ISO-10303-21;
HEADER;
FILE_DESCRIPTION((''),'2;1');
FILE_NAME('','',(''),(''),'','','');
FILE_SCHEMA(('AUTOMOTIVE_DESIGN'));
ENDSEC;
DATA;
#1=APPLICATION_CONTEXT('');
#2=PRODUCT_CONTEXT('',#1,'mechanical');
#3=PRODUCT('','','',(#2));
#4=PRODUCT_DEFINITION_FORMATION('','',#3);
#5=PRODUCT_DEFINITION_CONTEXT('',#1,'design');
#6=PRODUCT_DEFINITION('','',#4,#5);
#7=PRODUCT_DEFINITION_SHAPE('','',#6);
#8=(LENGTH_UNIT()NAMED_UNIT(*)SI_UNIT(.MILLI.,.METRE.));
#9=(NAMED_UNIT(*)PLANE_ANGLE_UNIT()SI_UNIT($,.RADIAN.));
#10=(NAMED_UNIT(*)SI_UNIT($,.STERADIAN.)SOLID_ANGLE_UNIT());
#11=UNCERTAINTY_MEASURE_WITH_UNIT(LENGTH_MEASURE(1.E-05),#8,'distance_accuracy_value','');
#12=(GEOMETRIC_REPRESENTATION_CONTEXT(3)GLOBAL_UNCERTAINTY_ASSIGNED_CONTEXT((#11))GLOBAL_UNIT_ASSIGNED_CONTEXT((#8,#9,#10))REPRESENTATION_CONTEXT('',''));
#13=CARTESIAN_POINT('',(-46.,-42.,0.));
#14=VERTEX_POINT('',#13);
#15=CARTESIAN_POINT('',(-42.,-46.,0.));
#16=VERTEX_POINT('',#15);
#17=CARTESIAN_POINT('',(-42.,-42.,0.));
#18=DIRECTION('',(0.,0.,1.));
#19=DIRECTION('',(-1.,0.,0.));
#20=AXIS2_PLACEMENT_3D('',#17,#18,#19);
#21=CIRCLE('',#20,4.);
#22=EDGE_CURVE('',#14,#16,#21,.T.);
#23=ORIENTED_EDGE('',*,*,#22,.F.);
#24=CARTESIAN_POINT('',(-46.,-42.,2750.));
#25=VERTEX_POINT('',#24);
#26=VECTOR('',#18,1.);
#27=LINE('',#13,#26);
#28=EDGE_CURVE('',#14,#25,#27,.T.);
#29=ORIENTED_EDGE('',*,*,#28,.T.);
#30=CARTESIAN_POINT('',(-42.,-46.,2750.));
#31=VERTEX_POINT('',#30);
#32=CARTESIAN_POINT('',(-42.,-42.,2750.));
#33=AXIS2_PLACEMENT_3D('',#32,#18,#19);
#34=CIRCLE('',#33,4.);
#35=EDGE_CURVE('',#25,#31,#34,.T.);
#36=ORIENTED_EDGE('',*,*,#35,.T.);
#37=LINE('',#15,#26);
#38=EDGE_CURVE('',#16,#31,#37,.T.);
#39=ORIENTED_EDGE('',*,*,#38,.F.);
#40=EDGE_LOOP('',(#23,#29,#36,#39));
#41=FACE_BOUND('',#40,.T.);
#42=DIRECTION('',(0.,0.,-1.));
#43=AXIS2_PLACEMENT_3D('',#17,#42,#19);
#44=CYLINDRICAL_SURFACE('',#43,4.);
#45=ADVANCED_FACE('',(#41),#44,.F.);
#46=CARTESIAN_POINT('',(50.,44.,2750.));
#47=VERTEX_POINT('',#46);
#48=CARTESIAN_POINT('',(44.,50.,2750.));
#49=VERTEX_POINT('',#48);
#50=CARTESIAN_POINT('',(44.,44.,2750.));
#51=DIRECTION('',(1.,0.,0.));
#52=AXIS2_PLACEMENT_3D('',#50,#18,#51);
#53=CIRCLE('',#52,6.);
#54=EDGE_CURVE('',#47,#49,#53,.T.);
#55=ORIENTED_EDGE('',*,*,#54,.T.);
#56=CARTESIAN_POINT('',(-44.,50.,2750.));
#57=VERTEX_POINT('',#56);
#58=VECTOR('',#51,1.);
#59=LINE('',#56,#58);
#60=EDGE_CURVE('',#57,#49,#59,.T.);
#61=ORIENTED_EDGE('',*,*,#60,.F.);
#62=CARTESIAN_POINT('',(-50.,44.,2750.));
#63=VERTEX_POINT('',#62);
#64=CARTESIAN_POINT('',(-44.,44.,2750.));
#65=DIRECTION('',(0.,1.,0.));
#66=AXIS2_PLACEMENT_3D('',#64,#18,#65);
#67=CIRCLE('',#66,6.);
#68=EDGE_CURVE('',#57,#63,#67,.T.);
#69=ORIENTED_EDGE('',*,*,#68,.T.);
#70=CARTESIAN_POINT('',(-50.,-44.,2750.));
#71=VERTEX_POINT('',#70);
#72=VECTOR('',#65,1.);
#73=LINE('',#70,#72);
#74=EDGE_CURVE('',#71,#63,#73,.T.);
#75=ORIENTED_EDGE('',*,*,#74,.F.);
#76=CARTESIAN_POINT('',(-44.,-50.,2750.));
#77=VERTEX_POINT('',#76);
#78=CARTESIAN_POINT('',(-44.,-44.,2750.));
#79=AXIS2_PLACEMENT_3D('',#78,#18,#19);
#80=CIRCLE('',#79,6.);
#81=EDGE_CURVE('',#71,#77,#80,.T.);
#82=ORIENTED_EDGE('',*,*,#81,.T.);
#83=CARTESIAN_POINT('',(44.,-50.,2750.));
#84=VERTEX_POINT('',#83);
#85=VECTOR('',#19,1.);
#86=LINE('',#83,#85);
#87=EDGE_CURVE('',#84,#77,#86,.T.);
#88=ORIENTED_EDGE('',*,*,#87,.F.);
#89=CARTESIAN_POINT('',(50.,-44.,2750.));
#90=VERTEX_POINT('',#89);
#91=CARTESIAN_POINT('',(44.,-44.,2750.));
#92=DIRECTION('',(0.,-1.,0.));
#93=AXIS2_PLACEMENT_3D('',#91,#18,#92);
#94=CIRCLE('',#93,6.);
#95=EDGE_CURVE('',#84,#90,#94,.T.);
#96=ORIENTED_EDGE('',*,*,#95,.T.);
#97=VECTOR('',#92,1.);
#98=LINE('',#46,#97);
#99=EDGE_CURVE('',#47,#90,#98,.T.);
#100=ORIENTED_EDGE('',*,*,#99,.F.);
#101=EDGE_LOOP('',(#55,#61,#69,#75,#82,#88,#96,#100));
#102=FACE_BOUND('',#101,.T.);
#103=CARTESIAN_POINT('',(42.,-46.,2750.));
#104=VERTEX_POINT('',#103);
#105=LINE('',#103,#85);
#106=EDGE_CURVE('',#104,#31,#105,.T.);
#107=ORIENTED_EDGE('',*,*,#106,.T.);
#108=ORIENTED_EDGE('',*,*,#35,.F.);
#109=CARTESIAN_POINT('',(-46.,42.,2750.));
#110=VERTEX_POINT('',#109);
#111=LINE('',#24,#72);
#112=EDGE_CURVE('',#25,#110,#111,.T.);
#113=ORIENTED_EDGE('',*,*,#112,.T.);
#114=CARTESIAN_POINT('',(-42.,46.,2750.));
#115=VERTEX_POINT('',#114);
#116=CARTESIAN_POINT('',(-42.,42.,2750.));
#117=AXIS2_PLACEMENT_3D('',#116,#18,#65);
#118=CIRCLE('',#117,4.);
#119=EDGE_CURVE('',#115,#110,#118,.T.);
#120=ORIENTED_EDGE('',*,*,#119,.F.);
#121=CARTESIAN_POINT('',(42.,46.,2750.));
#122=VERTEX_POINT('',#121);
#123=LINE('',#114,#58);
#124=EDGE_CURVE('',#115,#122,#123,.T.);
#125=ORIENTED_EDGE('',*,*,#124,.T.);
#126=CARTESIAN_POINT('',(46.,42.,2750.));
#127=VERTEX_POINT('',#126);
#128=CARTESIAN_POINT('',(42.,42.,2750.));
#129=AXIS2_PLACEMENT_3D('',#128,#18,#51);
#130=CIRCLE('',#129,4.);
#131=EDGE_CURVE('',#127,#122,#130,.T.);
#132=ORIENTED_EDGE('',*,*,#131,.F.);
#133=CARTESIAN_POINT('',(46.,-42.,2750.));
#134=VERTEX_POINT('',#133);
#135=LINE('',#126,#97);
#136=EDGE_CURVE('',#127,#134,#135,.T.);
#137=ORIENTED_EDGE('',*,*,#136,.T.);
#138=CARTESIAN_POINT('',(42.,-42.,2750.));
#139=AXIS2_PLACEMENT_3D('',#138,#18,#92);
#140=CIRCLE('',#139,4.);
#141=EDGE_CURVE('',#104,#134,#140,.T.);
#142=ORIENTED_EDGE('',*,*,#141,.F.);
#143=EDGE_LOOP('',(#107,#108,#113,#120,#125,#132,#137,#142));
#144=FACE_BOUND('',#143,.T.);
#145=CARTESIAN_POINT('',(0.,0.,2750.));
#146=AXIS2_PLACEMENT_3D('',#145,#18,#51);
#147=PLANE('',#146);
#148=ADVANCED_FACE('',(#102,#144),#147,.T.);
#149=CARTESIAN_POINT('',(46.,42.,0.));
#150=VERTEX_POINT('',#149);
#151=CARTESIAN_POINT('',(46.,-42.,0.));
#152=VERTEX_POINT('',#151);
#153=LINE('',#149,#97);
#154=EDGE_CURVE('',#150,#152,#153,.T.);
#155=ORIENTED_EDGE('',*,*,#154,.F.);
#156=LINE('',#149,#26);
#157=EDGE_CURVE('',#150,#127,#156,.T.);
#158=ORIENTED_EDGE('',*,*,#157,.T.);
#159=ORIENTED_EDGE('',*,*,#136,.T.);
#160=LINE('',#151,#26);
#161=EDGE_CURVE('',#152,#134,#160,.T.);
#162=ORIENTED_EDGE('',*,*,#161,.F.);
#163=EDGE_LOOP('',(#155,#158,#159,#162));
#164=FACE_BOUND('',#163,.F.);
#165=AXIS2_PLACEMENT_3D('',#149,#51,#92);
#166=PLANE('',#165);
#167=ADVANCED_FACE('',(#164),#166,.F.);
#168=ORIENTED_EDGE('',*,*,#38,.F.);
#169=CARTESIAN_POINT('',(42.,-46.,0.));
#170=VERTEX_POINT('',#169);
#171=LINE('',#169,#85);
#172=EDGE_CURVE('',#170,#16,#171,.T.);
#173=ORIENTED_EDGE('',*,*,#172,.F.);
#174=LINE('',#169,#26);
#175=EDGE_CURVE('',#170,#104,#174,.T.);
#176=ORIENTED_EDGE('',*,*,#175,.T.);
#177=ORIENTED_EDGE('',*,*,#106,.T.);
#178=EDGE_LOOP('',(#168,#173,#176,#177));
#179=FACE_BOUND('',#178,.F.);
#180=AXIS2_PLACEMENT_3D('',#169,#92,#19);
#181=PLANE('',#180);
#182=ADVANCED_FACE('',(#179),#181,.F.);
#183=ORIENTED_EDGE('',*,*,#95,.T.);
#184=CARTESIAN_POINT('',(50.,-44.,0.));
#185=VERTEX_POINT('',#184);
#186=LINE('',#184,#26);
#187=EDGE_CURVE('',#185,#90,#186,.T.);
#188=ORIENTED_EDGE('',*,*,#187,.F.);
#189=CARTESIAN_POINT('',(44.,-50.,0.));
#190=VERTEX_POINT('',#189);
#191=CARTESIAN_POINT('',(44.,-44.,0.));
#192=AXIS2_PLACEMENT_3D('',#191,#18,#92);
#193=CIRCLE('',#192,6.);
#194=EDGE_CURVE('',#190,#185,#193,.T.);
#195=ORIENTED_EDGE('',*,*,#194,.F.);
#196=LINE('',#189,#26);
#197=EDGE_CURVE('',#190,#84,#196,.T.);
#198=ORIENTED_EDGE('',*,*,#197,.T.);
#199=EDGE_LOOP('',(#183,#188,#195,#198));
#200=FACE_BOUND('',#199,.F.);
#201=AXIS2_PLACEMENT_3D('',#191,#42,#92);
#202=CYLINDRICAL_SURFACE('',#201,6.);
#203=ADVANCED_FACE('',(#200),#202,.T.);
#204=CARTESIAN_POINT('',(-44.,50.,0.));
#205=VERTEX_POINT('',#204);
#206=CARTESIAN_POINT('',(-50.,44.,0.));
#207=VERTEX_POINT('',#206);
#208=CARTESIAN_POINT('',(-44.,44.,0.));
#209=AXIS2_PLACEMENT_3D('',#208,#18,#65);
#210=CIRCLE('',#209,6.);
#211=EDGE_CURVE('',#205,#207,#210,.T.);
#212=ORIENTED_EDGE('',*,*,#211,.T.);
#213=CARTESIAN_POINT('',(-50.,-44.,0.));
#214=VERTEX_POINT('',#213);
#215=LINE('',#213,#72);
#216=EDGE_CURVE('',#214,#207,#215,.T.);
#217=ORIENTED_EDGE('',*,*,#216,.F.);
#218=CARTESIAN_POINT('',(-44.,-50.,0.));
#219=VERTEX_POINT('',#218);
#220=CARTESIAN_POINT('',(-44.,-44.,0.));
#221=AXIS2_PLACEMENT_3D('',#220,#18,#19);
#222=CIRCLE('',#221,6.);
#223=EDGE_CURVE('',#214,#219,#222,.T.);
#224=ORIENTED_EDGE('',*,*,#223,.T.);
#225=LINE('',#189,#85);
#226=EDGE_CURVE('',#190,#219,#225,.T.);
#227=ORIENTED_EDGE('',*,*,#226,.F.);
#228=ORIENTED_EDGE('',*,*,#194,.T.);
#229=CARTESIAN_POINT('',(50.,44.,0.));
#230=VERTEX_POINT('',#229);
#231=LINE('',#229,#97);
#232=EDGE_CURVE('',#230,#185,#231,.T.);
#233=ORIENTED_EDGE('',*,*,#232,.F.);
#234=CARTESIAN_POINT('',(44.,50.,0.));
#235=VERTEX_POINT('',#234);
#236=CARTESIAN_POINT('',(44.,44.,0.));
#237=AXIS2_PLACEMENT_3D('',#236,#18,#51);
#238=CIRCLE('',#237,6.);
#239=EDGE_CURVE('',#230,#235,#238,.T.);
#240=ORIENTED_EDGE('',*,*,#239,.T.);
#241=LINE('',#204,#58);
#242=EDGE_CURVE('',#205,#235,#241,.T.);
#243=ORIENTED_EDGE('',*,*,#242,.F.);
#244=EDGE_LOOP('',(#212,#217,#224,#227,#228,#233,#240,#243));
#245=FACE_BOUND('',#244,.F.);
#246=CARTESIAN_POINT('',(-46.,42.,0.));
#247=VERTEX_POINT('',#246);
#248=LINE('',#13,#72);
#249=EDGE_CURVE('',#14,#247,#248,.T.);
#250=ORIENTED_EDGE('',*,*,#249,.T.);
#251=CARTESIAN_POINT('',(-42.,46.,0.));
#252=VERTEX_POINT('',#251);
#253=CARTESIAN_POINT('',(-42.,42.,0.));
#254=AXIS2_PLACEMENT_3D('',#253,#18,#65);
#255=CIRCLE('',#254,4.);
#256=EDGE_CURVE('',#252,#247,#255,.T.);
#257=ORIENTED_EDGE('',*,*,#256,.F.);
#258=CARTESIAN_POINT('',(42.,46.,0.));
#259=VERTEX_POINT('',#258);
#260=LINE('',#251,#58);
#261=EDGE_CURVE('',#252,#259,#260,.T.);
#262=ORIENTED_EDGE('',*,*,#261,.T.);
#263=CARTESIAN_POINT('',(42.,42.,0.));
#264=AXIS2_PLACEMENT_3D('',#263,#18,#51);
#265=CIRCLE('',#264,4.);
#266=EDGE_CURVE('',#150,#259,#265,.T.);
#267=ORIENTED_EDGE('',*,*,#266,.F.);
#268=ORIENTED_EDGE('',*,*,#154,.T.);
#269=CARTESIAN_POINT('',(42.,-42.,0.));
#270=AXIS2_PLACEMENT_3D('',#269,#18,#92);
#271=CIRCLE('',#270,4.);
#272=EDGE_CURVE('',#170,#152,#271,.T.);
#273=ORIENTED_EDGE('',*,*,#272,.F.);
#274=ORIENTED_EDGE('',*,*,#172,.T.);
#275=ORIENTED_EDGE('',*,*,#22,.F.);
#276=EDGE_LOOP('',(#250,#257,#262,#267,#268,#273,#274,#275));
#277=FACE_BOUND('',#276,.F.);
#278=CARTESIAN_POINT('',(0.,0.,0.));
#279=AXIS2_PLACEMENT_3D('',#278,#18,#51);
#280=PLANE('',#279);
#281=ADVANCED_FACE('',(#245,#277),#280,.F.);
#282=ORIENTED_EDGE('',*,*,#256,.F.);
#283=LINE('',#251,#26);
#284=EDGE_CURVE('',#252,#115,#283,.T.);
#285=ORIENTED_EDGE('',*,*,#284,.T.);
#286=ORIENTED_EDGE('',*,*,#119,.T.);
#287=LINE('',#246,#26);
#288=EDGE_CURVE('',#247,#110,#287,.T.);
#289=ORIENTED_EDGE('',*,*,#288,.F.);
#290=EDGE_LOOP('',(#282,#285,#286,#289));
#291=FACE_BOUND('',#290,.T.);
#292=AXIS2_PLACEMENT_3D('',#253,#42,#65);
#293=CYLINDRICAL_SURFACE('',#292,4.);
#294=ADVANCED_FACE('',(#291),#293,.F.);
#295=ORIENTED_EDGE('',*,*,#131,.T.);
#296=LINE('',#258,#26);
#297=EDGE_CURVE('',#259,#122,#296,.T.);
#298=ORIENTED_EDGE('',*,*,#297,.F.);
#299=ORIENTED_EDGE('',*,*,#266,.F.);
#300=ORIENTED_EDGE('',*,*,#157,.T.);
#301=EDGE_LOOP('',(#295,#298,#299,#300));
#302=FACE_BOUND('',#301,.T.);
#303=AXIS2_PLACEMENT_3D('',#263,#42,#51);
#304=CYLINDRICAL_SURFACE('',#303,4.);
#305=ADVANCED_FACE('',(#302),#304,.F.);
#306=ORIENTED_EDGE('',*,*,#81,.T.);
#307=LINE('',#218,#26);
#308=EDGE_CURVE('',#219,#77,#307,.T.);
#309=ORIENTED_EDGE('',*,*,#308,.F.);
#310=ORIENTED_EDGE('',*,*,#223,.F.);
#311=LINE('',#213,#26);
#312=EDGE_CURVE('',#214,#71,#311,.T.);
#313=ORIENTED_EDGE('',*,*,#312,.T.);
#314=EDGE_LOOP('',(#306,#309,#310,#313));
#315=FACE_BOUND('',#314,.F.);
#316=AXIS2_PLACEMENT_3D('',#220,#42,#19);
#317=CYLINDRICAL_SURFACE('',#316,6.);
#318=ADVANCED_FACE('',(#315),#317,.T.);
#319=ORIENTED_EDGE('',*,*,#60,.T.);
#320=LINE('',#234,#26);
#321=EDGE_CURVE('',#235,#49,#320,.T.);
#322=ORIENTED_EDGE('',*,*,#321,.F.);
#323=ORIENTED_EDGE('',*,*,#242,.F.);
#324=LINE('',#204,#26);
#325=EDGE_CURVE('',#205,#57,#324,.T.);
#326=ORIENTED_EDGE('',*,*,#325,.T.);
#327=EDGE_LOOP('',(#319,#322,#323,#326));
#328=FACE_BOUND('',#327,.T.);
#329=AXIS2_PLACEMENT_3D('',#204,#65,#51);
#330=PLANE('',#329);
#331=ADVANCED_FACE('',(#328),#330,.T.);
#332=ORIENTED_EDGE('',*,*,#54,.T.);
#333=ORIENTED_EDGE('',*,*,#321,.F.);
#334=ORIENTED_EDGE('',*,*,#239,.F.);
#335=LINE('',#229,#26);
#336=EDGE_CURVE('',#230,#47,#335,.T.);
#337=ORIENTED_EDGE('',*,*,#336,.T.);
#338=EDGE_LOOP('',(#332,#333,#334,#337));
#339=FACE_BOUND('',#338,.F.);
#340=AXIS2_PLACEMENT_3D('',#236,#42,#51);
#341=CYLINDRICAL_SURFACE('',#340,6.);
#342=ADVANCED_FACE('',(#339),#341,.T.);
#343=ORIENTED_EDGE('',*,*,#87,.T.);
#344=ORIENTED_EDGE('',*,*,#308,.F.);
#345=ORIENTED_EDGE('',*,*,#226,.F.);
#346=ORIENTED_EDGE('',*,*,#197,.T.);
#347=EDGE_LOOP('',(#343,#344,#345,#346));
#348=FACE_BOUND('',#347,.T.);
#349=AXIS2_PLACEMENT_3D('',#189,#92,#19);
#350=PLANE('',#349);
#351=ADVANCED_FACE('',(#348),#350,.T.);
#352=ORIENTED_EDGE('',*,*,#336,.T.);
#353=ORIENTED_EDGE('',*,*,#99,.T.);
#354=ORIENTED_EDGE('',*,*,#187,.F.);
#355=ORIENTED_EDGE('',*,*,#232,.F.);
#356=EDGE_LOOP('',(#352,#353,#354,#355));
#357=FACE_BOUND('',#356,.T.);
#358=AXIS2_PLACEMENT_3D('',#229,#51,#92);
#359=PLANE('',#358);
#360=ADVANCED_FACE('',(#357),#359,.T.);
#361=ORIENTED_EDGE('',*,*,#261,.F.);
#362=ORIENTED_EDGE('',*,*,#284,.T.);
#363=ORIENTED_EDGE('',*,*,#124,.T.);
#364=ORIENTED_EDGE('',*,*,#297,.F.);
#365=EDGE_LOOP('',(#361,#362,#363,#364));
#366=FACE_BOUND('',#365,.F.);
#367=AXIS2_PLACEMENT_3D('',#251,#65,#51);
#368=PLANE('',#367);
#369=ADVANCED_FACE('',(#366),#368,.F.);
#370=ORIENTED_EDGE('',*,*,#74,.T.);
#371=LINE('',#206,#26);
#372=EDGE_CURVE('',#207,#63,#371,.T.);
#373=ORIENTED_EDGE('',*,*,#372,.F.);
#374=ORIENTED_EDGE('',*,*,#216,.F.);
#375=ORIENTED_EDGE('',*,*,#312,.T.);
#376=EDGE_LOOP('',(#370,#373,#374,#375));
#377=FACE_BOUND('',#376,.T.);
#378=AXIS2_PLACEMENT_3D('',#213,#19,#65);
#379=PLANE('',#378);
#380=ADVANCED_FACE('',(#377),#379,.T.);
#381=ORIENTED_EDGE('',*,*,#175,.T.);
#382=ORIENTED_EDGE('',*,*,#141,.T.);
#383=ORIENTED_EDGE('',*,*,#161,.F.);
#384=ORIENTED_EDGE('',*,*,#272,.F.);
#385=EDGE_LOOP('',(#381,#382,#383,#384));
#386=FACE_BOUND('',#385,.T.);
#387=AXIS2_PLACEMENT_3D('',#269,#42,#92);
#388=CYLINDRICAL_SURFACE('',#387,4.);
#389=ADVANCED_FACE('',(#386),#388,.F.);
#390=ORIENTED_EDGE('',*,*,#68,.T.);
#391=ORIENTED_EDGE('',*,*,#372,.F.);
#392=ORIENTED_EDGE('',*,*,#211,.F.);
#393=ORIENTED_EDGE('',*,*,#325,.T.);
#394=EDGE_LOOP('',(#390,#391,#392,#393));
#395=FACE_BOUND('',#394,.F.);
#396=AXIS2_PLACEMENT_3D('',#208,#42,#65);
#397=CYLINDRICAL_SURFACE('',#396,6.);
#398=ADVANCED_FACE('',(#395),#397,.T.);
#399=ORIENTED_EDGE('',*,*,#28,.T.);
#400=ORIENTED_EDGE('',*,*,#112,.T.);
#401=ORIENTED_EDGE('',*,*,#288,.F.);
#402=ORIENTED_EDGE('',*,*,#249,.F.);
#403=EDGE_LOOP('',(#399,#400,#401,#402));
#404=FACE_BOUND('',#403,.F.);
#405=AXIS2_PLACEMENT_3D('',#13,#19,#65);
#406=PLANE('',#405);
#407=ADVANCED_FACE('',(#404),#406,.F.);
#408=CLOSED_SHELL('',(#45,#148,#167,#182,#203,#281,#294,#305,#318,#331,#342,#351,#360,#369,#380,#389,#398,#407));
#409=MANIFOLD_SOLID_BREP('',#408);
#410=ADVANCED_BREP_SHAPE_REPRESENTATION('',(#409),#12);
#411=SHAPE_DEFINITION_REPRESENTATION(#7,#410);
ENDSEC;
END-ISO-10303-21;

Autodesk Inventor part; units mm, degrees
ref_plane "YZ Plane" through (0, 0, 0) normal (1, 0, 0) x (0, 1, 0)
ref_plane "Start plane" through (0, 0, 0) normal (0, 0, 1) x (1, 0, 0)
ref_plane "End plane" through (0, 0, 2750) normal (0, 0, 1) x (1, 0, 0)
sketch "Sketch" plane through (0, 0, 0) normal (0, 0, 1) x (1, 0, 0)
  line L0 (-50, -44) -> (-50, 44)
  line L1 (-44, 50) -> (44, 50)
  line L2 (50, 44) -> (50, -44)
  line L3 (44, -50) -> (-44, -50)
  arc A0 (-50, -44) -> (-44, -50) centre (-44, -44) ccw
  arc A1 (-44, 50) -> (-50, 44) centre (-44, 44) ccw
  arc A2 (50, 44) -> (44, 50) centre (44, 44) ccw
  arc A3 (44, -50) -> (50, -44) centre (44, -44) ccw
  line L4 (-42, 46) -> (42, 46)
  line L5 (46, 42) -> (46, -42)
  line L6 (42, -46) -> (-42, -46)
  line L7 (-46, -42) -> (-46, 42)
  line L8 (0, 57.3048) -> (0, -57.3048) construction
  line L9 (-57.3048, 0) -> (57.3048, 0) construction
  arc A4 (-46, -42) -> (-42, -46) centre (-42, -42) ccw
  arc A5 (-42, 46) -> (-46, 42) centre (-42, 42) ccw
  arc A6 (46, 42) -> (42, 46) centre (42, 42) ccw
  arc A7 (42, -46) -> (46, -42) centre (42, -42) ccw
  dimension "d7" = 6
  dimension "d10" = 100
  dimension "d11" = 100
  dimension "d12" = 4
  dimension "d15" = 50
  dimension "d16" = 50
  dimension "d19" = 4
  dimension "d20" = 4
extrude "Body" add sketch "Sketch" along normal up to surface (2750 mm away) from surface at 0
sketch "Sketch3" plane through (0, 0, 0) normal (0, 0, 1) x (1, 0, 0)
  line L0 (0, 0) -> (10, 0)
ref_plane "Work Plane3" through (0, 0, 0) normal (0, -1, 0) x (1, 0, 0)
sketch "Sketch4" plane through (0, 0, 0) normal (0, -1, 0) x (1, 0, 0)
  line L0 (-2, 0) -> (12, 0) projected
  line L1 (-2, 2750) -> (12, 2750) projected
  dimension "d18" = 2750
equation "\"d7\" = G_IR"
equation "\"d10\" = G_H"
equation "\"d11\" = G_W"
equation "\"d12\" = G_T"
equation "\"d15\" = 0.5 * d10"
equation "\"d16\" = 0.5 * d11"
equation "\"d19\" = G_T"
equation "\"d20\" = G_T"
equation "\"d3\" = G_L"
equation "\"G_W\" = 100"
equation "\"G_H\" = 100"
equation "\"G_T\" = 4"
equation "\"G_IR\" = 6"
equation "\"G_L\" = d18"
equation "\"G_OFFSET_START\" = 0"
equation "\"G_OFFSET_END\" = 0"
properties part number "DIN EN 10210-2 - 100 x 100 x 4 - 2750" material "Steel, Mild"
